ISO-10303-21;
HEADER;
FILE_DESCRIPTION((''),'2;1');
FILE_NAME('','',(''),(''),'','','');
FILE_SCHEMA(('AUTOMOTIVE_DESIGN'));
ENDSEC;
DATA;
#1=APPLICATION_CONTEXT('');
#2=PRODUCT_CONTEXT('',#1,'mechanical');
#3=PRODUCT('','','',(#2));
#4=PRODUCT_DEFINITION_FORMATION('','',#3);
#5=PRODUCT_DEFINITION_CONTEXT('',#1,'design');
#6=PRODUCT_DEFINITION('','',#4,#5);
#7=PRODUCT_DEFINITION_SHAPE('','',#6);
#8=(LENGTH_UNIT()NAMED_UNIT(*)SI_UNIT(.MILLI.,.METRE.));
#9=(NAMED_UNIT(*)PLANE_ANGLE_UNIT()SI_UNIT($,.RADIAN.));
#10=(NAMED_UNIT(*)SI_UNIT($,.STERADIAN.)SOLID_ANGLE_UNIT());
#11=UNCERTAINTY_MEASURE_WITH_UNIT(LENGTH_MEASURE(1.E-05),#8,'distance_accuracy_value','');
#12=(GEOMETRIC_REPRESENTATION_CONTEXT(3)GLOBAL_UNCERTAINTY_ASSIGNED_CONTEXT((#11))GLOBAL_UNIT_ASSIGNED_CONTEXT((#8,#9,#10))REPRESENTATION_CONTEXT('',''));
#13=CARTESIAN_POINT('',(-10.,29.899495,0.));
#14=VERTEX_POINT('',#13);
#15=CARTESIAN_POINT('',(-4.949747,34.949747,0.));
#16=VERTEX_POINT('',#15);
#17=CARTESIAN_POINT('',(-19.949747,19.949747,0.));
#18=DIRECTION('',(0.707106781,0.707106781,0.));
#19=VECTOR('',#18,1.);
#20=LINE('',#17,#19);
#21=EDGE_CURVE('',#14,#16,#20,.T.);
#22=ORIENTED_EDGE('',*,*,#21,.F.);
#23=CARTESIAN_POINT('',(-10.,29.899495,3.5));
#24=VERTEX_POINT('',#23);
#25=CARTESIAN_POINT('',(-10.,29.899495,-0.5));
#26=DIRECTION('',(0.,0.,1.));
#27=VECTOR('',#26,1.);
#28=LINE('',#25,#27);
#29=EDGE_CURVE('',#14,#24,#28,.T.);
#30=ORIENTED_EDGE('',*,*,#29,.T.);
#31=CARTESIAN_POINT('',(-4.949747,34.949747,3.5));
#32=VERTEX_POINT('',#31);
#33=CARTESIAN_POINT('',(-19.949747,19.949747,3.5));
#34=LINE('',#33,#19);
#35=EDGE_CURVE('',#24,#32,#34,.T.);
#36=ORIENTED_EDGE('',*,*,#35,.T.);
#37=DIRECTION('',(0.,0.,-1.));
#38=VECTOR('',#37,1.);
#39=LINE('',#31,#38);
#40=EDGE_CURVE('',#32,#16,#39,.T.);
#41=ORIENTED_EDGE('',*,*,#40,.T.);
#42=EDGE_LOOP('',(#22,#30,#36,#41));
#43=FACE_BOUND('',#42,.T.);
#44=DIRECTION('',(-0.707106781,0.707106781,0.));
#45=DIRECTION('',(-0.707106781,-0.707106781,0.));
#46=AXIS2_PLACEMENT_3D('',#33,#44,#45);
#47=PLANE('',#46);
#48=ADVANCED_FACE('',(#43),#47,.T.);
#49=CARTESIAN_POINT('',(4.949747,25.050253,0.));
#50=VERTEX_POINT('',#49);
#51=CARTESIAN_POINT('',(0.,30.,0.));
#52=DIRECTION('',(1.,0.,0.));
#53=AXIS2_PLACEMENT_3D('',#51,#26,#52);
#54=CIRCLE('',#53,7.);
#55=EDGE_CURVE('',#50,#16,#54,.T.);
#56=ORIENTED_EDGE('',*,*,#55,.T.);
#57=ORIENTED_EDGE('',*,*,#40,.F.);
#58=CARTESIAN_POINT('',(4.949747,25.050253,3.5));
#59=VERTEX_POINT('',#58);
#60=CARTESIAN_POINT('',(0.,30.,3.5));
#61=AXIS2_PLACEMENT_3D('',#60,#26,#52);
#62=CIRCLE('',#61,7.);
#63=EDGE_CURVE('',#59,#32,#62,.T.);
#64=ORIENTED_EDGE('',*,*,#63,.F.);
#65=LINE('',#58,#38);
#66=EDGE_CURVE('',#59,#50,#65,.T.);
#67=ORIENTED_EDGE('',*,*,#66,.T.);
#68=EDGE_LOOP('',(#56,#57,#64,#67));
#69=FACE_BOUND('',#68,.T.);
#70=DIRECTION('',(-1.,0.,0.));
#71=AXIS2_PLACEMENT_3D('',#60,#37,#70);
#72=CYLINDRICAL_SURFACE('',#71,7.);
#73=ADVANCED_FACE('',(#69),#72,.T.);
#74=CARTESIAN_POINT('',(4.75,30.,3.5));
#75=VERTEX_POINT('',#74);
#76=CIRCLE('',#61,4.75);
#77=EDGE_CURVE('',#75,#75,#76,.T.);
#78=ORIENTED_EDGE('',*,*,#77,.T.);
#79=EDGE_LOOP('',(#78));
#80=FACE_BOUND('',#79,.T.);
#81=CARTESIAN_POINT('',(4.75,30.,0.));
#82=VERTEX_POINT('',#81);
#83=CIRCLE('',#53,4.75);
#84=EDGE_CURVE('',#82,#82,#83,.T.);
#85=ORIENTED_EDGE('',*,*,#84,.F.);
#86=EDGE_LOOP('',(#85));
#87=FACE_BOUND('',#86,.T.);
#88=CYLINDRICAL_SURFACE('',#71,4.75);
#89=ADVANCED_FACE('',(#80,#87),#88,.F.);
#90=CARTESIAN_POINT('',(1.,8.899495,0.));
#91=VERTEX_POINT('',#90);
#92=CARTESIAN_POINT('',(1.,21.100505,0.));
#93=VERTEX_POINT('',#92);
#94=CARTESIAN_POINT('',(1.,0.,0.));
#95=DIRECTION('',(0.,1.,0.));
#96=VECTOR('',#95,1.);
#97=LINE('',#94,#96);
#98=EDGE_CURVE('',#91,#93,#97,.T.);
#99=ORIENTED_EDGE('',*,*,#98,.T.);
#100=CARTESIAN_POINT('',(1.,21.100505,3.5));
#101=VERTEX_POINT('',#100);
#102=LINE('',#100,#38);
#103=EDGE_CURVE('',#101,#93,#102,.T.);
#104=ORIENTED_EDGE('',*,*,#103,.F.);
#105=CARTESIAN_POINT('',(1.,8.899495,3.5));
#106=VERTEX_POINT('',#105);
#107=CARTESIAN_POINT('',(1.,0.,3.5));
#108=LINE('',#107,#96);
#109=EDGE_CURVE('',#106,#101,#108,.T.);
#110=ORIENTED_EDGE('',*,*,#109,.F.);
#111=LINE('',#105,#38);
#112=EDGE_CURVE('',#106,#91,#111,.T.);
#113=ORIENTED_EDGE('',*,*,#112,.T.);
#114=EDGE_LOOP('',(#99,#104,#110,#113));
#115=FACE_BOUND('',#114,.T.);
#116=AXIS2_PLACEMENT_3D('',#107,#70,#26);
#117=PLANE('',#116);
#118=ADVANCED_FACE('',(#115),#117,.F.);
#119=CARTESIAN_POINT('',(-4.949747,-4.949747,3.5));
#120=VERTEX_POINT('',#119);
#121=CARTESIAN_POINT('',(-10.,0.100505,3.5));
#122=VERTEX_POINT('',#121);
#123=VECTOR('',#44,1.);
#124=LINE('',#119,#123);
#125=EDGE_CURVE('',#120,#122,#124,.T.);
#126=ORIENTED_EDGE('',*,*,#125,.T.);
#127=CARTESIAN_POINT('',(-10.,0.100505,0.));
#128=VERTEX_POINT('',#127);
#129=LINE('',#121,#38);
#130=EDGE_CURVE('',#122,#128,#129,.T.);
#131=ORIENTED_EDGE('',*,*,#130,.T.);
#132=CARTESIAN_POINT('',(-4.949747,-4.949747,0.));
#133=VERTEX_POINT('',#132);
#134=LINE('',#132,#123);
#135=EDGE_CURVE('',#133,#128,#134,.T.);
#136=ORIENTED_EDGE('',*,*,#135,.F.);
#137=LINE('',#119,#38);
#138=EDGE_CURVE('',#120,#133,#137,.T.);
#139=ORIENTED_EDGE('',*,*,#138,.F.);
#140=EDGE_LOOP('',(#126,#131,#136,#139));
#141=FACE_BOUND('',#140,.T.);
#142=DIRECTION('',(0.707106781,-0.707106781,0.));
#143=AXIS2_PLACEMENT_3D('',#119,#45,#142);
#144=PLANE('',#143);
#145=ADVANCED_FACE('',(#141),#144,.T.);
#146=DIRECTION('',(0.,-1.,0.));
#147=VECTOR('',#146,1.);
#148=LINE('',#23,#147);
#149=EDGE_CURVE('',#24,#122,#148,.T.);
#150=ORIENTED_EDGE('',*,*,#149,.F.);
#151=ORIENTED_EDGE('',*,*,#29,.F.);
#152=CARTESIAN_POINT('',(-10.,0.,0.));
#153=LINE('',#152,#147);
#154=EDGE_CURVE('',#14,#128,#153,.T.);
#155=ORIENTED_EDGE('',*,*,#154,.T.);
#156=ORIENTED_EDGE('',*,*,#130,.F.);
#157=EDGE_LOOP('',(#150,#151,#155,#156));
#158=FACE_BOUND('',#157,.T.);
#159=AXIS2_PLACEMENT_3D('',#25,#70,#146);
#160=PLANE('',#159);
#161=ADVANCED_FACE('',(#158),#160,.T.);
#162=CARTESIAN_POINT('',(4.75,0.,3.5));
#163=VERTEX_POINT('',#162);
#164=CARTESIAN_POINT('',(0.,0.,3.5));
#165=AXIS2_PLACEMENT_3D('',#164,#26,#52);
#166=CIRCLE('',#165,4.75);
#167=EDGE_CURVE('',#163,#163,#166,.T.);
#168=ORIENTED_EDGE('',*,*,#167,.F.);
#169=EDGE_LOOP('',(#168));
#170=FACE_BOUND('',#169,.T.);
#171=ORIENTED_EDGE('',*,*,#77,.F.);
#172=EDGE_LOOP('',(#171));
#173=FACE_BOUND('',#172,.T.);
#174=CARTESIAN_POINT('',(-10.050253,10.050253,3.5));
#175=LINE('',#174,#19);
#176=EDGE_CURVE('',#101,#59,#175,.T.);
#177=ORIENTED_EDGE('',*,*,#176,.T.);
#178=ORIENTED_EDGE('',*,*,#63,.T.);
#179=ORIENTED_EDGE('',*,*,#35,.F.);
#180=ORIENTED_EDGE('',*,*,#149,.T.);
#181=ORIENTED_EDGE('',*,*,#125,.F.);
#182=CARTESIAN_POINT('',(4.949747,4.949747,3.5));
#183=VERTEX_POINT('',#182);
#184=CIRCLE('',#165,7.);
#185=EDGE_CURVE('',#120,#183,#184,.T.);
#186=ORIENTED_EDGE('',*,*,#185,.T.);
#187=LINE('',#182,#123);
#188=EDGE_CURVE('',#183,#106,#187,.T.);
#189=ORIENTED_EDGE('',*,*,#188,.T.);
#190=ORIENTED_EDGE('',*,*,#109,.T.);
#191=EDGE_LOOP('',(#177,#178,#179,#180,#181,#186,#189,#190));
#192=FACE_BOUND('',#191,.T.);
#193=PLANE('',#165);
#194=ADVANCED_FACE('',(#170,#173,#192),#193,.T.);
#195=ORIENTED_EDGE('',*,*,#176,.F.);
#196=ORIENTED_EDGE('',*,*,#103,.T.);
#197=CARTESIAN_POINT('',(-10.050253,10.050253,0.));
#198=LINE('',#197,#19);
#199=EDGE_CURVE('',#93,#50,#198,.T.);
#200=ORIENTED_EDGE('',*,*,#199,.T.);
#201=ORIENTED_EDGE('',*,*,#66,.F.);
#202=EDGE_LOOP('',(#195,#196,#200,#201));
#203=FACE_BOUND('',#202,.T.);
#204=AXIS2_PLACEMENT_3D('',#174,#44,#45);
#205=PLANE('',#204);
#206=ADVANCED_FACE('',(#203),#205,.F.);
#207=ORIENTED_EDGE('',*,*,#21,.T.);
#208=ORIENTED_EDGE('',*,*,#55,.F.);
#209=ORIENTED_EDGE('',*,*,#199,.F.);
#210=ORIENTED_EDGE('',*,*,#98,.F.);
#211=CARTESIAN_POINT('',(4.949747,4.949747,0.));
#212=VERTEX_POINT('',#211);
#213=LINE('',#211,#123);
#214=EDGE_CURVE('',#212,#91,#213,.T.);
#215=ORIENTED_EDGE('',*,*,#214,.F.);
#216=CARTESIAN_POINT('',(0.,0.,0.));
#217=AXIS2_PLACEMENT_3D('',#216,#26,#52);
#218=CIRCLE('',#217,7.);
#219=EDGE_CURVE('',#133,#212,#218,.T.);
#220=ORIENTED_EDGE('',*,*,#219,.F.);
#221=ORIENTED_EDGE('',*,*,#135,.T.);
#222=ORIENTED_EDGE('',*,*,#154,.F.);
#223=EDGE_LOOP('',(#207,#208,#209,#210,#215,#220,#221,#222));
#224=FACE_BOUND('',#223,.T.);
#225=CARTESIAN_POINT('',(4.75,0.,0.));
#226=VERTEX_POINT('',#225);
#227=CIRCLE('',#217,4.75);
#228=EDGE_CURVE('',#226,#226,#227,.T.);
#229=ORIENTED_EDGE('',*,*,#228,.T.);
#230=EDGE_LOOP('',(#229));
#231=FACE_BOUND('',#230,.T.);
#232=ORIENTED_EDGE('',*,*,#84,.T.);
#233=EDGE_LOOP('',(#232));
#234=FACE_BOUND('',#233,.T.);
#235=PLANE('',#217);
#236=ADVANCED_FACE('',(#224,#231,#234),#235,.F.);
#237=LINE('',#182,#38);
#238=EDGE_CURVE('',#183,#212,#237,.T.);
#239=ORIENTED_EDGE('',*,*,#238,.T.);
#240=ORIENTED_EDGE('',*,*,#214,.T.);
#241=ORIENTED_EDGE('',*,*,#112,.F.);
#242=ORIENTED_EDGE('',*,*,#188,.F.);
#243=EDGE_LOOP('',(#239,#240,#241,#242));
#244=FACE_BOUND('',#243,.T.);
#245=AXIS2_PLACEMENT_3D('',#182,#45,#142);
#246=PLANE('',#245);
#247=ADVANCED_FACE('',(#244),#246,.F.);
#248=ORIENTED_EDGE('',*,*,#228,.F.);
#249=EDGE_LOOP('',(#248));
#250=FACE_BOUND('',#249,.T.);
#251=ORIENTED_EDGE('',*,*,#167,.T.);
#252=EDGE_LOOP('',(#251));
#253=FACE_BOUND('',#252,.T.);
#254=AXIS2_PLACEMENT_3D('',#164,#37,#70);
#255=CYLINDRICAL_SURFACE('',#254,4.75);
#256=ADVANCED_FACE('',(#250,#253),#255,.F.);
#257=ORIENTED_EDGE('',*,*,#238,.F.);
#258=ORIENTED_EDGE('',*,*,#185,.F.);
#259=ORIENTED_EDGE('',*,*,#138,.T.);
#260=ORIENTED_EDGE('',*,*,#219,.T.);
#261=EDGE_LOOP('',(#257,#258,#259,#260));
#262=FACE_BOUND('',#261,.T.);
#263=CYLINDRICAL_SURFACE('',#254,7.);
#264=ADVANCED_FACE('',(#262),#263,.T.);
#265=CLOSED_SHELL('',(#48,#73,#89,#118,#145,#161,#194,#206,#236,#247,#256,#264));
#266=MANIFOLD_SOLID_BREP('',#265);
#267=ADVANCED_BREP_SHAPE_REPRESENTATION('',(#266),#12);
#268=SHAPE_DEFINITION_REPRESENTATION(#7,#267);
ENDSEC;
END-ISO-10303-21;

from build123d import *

# Parameters (mm, degrees)
CROQUIS1_R              = 7
CROQUIS1_R_2            = 4.75
SALIENTE_EXTRUIR1_DEPTH = 3.5
CROQUIS4_W              = 8.235883517
CROQUIS4_H              = 32.578937154
CORTAR_EXTRUIR4_DEPTH   = 4


with BuildPart() as part:
    # Croquis1 → Saliente-Extruir1 (new body)
    # profile 1 of 3: a face of its own
    with BuildSketch(Plane.XY):
        with BuildLine():
            ThreePointArc((-4.949747468, -4.949747468), (-4.949747468, 4.949747468), (4.949747468, 4.949747468))
            Line((4.949747468, 4.949747468), (1, 8.899494937))
            Line((1, 8.899494937), (1, 21.100505063))
            Line((1, 21.100505063), (4.949747468, 25.050252532))
            ThreePointArc((4.949747468, 25.050252532), (-4.949747468, 25.050252532), (-4.949747468, 34.949747468))
            Line((-4.949747468, 34.949747468), (-13, 26.899494937))
            Line((-13, 26.899494937), (-13, 3.100505063))
            Line((-13, 3.100505063), (-4.949747468, -4.949747468))
        make_face()
    # profile 2 of 3: a face of its own
    with BuildSketch(Plane.XY):
        with Locations((0, 30)):
            Circle(CROQUIS1_R)
        with Locations((0, 30)):
            Circle(CROQUIS1_R_2, mode=Mode.SUBTRACT)
    # profile 3 of 3: a face of its own
    with BuildSketch(Plane.XY):
        Circle(CROQUIS1_R)
        Circle(CROQUIS1_R_2, mode=Mode.SUBTRACT)
    extrude(amount=SALIENTE_EXTRUIR1_DEPTH)

    # Croquis4 → Cortar-Extruir4 (cut)
    with BuildSketch(Plane.XY.offset(3.5)):
        with Locations((-14.117941759, 13.61002636)):
            Rectangle(CROQUIS4_W, CROQUIS4_H)
    extrude(amount=-CORTAR_EXTRUIR4_DEPTH, mode=Mode.SUBTRACT)


solid = part.part
